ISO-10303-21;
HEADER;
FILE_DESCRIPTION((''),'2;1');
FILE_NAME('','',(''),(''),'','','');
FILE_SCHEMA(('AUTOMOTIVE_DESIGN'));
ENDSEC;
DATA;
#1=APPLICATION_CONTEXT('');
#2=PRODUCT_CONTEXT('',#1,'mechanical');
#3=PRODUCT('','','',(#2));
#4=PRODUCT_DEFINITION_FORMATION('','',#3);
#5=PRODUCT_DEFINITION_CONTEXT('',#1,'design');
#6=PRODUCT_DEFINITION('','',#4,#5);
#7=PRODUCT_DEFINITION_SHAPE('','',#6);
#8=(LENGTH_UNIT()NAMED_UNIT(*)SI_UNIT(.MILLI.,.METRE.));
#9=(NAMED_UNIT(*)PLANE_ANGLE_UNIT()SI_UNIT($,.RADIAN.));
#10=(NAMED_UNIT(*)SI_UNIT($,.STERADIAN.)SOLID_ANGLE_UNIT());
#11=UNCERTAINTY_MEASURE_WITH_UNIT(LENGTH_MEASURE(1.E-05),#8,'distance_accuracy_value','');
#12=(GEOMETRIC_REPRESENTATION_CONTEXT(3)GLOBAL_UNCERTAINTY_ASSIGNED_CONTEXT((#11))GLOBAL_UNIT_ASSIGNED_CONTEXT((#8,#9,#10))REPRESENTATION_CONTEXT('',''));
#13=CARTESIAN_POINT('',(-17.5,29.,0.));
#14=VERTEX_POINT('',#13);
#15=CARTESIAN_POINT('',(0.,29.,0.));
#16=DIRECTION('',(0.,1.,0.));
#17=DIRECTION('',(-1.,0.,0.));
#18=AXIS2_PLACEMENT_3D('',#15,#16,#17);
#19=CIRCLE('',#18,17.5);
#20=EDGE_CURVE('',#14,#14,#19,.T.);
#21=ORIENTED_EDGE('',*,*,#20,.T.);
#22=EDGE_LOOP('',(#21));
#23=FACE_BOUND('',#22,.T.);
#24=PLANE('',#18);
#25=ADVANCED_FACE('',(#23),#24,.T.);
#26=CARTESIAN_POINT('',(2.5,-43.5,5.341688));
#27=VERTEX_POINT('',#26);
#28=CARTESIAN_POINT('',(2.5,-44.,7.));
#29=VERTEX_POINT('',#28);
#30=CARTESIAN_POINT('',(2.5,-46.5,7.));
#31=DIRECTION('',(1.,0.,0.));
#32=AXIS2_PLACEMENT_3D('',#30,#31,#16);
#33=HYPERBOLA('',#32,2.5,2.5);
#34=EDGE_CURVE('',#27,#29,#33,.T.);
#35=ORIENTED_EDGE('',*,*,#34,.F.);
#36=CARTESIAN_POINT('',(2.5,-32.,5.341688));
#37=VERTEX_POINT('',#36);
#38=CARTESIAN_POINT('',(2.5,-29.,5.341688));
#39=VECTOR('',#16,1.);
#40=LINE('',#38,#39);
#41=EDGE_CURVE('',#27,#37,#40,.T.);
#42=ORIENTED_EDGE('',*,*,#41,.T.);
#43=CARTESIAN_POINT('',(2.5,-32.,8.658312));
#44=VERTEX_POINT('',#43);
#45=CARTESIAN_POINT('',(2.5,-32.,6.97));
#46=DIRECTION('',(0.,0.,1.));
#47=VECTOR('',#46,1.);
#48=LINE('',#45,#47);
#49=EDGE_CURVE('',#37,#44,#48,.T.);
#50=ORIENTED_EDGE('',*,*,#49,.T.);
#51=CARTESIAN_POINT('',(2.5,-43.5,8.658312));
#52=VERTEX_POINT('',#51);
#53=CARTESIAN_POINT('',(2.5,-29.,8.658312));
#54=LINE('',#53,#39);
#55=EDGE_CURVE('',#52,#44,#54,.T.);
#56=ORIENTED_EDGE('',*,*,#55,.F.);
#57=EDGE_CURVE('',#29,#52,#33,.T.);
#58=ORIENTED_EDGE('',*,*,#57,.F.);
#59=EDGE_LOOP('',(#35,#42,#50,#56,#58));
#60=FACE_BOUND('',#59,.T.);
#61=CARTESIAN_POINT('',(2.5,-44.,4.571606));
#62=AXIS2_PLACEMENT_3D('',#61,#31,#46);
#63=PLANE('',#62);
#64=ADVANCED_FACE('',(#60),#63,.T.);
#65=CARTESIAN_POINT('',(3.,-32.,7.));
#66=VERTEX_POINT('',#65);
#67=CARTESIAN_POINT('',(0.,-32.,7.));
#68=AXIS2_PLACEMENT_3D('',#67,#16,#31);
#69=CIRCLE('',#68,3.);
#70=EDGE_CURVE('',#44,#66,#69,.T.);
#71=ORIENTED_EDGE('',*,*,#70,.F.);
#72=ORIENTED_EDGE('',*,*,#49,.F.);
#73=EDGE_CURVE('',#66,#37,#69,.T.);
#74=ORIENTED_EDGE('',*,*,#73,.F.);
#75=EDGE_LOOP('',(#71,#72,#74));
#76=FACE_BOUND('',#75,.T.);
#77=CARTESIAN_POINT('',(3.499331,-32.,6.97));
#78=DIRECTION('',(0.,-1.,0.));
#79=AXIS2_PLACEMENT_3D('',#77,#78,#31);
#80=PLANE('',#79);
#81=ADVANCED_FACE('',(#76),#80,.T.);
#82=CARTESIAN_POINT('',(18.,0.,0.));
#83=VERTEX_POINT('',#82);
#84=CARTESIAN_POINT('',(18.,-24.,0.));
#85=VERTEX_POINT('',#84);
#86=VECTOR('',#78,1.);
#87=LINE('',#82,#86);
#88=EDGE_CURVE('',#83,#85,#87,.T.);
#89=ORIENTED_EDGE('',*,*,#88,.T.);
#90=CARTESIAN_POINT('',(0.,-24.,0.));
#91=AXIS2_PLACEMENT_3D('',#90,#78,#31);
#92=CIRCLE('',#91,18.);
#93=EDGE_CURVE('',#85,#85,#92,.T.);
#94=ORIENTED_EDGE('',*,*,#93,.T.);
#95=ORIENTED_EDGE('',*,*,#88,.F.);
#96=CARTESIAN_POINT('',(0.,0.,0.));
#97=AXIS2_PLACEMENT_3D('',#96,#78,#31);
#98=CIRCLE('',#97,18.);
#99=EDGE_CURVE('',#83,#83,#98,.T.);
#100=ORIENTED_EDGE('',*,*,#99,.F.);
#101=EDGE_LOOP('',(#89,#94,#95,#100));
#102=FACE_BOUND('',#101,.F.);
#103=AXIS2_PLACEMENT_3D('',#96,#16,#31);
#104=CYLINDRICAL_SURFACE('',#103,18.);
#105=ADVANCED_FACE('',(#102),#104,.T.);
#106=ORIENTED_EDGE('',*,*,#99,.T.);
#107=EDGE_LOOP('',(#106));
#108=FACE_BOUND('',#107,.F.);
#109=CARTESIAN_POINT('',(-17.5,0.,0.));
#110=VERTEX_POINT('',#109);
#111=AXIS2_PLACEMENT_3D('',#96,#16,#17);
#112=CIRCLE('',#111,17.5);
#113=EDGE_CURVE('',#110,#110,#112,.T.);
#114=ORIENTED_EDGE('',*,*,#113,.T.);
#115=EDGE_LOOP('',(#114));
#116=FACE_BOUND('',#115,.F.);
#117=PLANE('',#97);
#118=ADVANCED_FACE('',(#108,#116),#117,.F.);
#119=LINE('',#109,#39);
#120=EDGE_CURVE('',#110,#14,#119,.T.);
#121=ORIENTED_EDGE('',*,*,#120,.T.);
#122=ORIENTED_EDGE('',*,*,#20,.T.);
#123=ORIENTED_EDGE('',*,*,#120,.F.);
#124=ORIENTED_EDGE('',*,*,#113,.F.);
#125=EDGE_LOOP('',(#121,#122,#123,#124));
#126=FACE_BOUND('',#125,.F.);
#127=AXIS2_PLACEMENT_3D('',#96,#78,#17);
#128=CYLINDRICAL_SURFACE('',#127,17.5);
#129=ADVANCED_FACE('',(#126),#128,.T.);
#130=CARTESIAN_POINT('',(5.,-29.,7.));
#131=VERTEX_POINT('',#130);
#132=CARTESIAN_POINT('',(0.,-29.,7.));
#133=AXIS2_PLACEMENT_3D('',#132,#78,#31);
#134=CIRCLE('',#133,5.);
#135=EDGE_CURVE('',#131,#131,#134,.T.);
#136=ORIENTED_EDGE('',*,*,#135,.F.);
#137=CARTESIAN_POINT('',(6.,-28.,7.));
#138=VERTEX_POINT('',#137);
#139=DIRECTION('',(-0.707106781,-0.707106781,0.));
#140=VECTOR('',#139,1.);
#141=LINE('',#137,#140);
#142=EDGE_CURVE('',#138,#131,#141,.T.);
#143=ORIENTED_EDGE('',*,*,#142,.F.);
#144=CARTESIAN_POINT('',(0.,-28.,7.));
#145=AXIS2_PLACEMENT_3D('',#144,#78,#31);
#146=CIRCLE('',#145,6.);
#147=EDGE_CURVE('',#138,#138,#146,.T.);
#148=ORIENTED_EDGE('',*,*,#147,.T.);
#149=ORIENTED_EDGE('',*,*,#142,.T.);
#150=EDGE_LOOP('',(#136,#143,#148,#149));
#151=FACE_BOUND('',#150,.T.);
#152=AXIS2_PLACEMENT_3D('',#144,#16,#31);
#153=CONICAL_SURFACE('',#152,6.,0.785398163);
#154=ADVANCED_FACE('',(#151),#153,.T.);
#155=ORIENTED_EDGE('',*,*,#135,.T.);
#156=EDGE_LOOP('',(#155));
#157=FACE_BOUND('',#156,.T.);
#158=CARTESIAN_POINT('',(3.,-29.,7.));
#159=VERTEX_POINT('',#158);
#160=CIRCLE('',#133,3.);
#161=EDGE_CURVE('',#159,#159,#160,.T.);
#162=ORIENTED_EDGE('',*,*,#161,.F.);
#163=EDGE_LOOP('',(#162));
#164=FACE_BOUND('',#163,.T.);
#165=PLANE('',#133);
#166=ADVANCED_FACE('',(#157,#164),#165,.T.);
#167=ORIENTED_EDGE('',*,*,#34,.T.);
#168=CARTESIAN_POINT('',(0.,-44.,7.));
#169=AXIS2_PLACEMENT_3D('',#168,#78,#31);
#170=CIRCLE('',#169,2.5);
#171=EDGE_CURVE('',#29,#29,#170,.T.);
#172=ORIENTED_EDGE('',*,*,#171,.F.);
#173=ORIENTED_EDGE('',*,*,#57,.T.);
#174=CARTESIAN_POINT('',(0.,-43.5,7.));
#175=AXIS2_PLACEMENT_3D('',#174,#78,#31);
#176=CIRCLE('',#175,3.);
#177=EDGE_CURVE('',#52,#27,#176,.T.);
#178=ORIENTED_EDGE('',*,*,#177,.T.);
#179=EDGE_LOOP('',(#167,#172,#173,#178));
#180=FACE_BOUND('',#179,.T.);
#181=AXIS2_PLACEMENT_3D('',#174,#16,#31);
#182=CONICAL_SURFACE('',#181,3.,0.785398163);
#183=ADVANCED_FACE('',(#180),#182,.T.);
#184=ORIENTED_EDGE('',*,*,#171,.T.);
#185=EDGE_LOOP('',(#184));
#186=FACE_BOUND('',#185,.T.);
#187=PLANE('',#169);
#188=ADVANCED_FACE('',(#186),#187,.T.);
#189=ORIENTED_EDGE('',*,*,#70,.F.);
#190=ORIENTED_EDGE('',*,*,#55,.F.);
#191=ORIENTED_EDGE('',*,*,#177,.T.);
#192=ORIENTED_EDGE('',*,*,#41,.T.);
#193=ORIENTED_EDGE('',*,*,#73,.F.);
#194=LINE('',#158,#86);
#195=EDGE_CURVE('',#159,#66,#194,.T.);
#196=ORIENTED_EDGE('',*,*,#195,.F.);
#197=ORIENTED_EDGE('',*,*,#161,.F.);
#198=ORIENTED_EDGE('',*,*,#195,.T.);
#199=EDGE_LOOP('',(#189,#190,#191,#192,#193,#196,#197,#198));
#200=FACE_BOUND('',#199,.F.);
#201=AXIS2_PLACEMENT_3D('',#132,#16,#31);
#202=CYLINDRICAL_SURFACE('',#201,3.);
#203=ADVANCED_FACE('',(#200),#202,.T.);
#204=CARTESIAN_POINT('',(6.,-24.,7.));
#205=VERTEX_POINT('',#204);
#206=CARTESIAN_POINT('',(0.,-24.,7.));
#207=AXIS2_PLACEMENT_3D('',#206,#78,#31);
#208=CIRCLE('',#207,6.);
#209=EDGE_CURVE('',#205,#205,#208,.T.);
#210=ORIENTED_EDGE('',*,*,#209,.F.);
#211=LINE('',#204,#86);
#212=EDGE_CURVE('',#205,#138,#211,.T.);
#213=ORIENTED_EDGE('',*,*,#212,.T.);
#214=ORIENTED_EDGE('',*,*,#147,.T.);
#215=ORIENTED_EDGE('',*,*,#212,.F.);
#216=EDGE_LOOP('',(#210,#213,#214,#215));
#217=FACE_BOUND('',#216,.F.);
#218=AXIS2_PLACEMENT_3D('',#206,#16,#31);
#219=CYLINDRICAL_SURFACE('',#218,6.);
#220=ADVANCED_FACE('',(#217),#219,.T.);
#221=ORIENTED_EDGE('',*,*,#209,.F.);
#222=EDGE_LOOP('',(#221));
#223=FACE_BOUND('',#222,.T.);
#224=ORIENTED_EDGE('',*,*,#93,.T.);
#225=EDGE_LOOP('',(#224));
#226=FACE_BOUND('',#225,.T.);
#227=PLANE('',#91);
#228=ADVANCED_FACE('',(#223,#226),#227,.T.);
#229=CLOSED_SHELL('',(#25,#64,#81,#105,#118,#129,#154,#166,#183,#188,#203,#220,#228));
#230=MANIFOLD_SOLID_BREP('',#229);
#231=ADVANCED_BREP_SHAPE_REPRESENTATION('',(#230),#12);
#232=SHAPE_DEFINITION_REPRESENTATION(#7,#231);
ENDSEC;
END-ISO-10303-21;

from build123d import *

# Parameters (mm, degrees)
F0_R      = 18
F1_DEPTH  = 24
F2_R      = 6
F3_DEPTH  = 5
F4_SIZE   = 1
F5_R      = 3
F6_DEPTH  = 15
F7_SIZE   = 0.5
F8_W      = 1.9986620047
F8_H      = 4.7967880898
F9_DEPTH  = 12
F10_R     = 17.5
F11_DEPTH = 29


with BuildPart() as f1:
    # F0 (on Front) → F1 (new body)
    with BuildSketch(Plane.XZ):
        Circle(F0_R)
    extrude(amount=F1_DEPTH)

    # F2 (on face) → F3 (join)
    with BuildSketch(Plane.XZ.offset(24)):
        with Locations((0, 7)):
            Circle(F2_R)
    extrude(amount=F3_DEPTH)

    # F4
    f4_edges = [f1.edges().sort_by_distance(p)[0] for p in [
        (-6, -29, 7),
    ]]
    chamfer(f4_edges, length=F4_SIZE)

    # F5 (on face) → F6 (join)
    with BuildSketch(Plane.XZ.offset(29)):
        with Locations((0, 7)):
            Circle(F5_R)
    extrude(amount=F6_DEPTH)

    # F7
    f7_edges = [f1.edges().sort_by_distance(p)[0] for p in [
        (-3, -44, 7),
    ]]
    chamfer(f7_edges, length=F7_SIZE)

    # F8 (on face) → F9 (cut)
    with BuildSketch(Plane.XZ.offset(44)):
        with Locations((3.4993309465, 6.97000045)):
            Rectangle(F8_W, F8_H)
    extrude(amount=-F9_DEPTH, mode=Mode.SUBTRACT)

    # F10 (on face) → F11 (join)
    with BuildSketch(Plane(origin=(0, 0, 0), x_dir=(-1, 0, 0), z_dir=(0, 1, 0))):
        Circle(F10_R)
    extrude(amount=F11_DEPTH)


solid = f1.part
